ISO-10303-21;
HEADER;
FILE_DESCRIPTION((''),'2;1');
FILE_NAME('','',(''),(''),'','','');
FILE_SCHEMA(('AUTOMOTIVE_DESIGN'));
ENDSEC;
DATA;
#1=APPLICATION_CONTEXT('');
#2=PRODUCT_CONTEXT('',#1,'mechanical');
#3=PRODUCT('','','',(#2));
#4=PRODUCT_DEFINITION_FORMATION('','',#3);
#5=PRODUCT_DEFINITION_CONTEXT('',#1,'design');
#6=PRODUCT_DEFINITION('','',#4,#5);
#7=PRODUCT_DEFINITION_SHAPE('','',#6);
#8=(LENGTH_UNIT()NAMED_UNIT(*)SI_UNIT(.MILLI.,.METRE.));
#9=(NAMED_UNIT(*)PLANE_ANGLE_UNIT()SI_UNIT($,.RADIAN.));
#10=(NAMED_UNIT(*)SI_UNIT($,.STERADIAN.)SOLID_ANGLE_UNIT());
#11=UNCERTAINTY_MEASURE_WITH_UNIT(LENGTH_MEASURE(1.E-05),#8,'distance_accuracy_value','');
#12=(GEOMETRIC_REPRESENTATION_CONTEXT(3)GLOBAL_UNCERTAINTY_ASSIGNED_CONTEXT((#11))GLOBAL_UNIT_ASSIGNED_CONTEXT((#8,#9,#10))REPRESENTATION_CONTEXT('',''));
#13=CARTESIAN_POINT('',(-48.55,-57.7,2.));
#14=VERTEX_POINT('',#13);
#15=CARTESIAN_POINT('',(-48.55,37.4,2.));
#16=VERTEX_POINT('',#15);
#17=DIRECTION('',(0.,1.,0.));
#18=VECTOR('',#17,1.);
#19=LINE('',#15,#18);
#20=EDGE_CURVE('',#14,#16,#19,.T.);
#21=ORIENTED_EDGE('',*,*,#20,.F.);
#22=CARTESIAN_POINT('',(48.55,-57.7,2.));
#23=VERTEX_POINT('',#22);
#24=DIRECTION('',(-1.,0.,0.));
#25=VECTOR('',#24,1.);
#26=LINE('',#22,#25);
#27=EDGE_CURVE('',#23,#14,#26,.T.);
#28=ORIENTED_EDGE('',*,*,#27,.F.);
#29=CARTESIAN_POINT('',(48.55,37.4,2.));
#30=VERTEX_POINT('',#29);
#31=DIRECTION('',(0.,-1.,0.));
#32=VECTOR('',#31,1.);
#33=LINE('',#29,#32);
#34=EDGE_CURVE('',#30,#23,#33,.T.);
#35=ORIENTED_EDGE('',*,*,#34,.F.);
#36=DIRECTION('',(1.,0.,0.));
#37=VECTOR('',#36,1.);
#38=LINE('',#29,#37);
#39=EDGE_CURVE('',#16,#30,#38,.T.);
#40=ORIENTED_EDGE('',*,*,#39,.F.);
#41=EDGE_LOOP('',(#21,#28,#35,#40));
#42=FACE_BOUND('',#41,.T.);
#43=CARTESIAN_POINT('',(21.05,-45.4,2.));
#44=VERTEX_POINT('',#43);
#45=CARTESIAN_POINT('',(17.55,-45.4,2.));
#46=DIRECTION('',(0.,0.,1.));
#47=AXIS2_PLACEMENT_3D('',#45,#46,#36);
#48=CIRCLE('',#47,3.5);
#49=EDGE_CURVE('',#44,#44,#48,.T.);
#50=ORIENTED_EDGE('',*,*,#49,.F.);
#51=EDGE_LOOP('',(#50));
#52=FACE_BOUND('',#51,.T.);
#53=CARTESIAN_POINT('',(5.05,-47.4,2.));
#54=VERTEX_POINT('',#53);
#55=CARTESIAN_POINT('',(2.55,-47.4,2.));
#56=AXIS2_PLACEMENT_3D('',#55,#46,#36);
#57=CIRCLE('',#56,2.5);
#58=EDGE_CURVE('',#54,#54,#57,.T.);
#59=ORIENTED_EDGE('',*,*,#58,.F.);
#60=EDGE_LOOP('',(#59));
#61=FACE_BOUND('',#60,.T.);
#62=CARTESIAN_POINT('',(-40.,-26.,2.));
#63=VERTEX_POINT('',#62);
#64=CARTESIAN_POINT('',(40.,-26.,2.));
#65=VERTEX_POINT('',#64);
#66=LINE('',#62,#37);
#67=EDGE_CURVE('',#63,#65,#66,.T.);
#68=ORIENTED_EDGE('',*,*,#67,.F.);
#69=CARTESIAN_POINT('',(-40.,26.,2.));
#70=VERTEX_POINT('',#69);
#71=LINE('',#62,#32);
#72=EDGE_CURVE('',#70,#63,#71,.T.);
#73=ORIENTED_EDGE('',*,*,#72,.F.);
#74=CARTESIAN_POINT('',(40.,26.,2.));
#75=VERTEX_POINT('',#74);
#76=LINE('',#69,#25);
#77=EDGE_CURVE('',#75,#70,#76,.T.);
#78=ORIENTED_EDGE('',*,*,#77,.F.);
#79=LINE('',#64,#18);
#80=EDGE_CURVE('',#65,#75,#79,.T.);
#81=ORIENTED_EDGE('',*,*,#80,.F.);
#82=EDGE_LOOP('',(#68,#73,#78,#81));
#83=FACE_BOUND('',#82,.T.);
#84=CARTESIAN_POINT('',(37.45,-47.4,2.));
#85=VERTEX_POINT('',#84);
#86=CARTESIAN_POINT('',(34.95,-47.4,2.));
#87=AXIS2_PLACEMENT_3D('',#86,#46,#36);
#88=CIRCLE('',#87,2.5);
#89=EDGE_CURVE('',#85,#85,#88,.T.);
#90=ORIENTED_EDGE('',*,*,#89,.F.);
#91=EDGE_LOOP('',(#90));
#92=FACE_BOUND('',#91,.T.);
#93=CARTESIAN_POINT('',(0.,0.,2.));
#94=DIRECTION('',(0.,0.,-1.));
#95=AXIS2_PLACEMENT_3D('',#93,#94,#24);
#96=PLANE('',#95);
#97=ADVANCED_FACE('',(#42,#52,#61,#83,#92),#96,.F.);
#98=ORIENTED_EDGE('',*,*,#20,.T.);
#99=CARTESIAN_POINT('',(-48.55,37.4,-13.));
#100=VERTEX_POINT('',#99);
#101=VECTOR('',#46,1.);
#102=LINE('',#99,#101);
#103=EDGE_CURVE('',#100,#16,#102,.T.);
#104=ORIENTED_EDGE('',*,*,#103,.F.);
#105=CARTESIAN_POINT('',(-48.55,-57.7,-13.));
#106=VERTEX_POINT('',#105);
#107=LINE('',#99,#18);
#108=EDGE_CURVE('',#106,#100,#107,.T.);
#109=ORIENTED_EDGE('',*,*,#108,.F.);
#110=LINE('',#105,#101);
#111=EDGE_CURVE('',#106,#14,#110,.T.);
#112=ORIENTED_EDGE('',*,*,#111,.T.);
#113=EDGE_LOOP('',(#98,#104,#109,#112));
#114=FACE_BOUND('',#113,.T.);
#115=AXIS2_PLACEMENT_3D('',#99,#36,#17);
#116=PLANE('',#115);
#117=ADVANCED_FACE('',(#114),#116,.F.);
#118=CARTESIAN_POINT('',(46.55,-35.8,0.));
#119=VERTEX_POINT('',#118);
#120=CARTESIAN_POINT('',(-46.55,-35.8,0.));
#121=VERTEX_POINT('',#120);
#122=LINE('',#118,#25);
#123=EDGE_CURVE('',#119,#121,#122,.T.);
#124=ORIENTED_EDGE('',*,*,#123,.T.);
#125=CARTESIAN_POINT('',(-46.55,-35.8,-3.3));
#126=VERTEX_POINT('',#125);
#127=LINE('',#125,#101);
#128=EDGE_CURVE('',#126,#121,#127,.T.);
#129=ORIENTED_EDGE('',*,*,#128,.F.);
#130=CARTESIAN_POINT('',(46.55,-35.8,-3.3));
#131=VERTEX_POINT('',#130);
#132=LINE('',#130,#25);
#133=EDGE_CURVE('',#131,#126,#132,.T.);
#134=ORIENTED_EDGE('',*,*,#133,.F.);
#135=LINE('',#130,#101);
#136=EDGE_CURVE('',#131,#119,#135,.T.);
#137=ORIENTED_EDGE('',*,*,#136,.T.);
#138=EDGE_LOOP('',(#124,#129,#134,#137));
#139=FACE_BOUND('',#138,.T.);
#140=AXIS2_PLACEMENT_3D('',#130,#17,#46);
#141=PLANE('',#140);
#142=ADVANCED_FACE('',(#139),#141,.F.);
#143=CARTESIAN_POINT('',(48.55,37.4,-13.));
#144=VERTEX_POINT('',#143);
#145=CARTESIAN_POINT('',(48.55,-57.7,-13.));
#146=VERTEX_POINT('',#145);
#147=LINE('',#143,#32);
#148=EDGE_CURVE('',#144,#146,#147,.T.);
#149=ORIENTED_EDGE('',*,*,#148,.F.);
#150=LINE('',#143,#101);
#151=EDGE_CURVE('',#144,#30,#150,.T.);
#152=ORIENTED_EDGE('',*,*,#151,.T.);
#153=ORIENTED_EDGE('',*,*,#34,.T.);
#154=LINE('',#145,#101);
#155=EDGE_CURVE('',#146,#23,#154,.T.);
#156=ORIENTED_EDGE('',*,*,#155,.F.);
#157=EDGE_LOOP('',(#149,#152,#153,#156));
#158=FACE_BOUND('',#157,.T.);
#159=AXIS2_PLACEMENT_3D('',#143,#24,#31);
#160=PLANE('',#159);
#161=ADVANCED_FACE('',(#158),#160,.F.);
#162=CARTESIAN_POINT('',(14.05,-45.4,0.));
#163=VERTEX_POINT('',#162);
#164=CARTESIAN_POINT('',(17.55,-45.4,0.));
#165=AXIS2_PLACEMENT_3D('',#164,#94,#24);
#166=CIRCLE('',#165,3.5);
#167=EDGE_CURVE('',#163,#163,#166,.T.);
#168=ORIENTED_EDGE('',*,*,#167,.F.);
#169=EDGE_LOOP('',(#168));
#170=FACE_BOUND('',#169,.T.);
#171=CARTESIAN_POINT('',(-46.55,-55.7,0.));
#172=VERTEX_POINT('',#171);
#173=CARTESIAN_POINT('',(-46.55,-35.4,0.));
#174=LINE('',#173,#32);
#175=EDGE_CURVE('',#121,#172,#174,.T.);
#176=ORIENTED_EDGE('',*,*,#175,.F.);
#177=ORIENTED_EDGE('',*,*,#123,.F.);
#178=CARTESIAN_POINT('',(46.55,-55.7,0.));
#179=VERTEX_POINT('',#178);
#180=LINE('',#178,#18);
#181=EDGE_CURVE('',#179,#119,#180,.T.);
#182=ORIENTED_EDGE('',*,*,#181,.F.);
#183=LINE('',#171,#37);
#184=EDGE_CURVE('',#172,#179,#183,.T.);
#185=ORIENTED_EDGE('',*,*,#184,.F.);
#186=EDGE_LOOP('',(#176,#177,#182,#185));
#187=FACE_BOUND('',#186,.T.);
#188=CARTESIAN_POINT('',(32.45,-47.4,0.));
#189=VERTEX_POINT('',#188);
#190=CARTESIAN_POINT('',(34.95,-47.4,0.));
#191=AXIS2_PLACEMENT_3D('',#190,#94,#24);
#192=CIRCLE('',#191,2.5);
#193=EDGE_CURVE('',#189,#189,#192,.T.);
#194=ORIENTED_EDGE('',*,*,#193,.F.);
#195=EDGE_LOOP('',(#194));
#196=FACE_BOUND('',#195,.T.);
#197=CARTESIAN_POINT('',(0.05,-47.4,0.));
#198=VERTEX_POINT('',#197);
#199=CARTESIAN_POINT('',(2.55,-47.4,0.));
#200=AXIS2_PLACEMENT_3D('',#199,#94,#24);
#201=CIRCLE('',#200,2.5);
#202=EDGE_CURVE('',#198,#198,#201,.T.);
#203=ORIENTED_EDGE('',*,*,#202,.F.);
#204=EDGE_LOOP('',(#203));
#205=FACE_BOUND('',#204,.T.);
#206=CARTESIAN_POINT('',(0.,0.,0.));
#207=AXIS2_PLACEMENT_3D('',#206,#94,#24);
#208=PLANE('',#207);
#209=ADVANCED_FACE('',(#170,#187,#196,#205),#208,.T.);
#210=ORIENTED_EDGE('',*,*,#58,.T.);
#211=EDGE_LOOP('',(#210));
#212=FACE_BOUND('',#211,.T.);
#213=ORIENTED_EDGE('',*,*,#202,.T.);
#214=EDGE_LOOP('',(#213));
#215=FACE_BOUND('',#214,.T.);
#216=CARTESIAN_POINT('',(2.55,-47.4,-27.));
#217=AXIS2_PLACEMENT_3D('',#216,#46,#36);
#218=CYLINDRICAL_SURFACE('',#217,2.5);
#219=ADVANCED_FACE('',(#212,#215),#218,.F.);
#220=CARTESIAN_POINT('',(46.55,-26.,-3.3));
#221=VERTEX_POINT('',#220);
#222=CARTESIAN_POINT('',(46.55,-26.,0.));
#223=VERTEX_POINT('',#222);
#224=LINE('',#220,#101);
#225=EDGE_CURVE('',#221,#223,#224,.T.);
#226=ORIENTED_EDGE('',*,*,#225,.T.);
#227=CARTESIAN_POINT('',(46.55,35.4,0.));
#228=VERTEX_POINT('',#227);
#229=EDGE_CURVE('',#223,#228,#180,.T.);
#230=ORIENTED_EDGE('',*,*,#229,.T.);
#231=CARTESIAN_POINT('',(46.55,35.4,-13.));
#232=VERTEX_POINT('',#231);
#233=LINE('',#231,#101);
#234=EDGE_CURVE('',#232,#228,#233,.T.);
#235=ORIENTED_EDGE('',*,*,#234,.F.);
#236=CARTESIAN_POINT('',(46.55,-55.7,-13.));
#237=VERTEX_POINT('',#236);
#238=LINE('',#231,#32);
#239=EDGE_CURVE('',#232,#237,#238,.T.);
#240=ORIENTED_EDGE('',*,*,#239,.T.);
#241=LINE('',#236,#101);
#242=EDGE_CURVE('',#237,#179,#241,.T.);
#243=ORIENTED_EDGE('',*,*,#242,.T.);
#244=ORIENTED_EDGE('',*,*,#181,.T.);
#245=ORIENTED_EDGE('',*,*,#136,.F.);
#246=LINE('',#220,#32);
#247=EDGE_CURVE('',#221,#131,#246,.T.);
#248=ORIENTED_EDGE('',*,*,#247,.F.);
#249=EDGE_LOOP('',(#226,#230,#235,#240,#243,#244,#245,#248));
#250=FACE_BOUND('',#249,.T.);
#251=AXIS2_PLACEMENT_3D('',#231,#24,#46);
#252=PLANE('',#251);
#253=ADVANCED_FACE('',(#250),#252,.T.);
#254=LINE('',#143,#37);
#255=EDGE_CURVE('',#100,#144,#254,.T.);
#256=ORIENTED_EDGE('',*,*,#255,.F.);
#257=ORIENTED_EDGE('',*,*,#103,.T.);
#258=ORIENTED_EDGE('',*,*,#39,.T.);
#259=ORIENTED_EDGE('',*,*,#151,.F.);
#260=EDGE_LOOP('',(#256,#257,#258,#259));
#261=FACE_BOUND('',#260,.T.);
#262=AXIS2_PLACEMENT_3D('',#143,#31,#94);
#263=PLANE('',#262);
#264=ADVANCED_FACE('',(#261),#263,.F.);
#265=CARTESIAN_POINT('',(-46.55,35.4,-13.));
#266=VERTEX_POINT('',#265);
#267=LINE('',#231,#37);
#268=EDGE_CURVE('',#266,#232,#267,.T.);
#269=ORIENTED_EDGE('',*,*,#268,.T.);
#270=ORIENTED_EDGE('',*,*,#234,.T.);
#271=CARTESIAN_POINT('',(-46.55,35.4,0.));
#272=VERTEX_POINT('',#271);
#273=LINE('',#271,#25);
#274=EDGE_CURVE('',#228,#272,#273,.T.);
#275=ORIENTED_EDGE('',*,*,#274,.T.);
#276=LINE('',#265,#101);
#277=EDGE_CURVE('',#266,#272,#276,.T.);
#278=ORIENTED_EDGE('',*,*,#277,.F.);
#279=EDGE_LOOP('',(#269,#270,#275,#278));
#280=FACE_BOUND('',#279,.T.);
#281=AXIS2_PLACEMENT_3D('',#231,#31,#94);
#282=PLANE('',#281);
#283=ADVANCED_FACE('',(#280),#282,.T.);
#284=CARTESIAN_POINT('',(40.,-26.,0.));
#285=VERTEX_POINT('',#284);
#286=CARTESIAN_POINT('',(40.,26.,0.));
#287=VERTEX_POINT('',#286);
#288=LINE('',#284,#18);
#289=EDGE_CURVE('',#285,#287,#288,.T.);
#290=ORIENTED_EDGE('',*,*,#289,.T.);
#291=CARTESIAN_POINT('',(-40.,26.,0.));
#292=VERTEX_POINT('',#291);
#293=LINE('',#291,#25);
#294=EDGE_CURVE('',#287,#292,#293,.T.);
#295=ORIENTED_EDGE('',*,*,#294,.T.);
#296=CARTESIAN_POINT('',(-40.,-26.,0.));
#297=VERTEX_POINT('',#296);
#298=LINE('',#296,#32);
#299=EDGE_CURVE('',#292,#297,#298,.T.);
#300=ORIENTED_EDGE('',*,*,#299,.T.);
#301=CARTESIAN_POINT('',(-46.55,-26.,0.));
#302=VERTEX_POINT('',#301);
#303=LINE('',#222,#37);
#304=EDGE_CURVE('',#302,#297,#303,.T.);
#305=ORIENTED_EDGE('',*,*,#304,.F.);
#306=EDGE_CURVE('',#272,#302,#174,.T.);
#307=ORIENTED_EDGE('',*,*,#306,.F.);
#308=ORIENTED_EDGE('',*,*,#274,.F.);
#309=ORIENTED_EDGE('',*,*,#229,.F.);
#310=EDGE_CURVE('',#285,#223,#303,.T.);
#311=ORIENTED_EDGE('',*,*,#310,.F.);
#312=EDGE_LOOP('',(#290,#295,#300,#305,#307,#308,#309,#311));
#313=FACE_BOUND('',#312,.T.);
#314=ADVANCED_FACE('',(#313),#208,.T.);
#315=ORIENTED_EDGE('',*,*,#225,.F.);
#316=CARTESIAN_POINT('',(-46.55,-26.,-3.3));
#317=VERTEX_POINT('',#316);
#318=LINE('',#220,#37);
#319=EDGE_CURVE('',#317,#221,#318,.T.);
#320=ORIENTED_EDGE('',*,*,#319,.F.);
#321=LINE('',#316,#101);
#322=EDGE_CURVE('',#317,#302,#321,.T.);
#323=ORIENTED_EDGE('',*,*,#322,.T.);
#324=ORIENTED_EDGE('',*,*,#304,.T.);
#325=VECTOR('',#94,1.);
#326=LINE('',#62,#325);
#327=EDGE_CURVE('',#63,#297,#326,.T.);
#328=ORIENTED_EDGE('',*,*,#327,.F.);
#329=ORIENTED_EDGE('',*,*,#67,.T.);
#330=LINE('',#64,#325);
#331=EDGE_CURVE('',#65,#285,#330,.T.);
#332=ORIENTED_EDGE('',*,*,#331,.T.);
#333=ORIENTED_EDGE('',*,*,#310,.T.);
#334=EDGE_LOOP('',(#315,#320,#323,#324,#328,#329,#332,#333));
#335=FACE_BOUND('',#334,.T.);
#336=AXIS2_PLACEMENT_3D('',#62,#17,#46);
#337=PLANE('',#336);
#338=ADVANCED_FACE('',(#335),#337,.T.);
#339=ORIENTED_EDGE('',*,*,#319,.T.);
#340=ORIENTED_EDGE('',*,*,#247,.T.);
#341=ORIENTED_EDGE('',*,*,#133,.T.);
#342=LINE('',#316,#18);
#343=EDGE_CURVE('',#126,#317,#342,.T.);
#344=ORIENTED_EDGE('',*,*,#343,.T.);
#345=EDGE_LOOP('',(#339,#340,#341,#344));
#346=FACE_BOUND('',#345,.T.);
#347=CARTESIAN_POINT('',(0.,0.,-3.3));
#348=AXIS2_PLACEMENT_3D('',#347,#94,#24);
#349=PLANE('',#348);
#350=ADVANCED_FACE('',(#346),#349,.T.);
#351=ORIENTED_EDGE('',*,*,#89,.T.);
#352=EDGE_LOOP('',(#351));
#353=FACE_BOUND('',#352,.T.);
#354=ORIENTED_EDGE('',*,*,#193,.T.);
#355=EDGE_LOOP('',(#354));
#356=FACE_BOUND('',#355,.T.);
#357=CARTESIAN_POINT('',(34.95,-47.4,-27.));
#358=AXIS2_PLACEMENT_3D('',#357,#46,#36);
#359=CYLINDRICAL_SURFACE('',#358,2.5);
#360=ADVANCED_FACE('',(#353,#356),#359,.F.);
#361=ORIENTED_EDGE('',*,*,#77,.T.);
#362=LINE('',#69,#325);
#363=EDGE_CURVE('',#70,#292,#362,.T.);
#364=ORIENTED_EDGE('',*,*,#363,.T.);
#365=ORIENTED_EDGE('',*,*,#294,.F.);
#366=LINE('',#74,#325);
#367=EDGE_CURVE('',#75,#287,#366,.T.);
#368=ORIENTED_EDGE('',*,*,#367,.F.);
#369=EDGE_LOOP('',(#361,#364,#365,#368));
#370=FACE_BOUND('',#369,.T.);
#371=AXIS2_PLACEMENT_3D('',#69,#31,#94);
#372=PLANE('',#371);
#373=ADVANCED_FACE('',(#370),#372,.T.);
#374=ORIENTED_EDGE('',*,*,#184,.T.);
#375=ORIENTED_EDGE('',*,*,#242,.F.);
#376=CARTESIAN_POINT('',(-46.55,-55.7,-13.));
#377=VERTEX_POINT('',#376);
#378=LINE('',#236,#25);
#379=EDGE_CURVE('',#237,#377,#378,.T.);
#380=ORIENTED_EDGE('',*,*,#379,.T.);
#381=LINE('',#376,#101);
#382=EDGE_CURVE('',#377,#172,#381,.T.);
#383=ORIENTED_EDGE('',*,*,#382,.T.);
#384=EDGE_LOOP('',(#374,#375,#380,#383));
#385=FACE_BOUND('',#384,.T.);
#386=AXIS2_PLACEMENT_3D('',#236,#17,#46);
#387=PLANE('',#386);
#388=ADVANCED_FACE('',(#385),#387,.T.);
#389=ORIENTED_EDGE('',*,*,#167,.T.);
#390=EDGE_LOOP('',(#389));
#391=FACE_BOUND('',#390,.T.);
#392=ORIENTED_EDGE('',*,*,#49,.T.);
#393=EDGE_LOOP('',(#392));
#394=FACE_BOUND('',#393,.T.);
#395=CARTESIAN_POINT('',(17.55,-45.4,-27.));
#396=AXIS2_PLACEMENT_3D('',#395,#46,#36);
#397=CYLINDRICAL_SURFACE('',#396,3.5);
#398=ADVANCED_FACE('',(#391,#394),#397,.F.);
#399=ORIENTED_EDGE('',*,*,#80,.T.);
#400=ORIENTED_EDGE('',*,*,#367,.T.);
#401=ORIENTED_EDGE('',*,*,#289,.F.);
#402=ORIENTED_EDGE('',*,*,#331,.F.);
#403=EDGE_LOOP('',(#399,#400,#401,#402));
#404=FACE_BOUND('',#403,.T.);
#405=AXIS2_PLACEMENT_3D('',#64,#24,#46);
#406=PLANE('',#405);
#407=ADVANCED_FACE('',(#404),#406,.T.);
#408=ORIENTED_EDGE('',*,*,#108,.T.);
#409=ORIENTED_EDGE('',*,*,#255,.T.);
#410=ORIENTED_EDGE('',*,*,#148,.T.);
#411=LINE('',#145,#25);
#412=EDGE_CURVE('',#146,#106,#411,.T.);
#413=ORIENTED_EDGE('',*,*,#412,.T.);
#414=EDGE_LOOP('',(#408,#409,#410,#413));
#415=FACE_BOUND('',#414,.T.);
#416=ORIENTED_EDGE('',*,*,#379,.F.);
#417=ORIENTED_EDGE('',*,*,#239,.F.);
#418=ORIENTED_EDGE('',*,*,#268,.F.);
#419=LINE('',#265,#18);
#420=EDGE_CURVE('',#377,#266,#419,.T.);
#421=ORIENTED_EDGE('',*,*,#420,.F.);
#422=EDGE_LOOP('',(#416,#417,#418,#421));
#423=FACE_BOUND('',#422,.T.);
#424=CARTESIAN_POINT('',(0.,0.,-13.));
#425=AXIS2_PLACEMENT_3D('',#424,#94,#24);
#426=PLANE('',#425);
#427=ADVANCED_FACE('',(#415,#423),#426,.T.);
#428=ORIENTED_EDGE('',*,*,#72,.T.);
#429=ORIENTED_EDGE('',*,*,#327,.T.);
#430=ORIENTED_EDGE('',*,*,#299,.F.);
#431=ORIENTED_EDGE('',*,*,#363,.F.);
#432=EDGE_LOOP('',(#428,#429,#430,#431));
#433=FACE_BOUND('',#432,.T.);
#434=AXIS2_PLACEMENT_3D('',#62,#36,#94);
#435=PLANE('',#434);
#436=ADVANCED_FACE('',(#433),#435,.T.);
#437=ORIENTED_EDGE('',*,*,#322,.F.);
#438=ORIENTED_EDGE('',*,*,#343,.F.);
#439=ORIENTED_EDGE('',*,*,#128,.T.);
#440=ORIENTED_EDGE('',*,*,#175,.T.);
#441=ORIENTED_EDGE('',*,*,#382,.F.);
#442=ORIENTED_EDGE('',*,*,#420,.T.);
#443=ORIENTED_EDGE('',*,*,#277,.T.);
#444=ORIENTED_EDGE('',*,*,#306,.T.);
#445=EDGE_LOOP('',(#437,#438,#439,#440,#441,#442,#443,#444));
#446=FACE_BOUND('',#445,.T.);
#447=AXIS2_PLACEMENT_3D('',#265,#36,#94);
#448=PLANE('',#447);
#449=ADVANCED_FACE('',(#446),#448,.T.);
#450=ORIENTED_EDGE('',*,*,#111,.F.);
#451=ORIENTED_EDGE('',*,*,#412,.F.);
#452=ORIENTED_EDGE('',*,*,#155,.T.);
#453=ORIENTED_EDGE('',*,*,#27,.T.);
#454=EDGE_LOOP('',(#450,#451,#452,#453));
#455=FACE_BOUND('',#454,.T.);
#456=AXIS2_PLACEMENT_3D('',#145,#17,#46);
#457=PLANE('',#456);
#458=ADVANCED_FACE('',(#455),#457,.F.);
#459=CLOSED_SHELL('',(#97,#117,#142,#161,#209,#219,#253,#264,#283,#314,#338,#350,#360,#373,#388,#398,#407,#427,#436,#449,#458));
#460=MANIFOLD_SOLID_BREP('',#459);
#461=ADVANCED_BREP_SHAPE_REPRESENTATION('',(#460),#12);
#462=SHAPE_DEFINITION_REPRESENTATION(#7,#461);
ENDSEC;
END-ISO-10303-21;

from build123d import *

# Parameters (mm, degrees)
SKETCH1_W                = 80
SKETCH1_H                = 52
BOSS_EXTRUDE1_DEPTH      = 2
SKETCH2_W                = 93.1
SKETCH2_H                = 9.8
BOSS_EXTRUDE2_DEPTH      = 3.3
BOSS_EXTRUDE3_DEPTH      = 13
BOSS_EXTRUDE3_DEPTH_BACK = 2
SKETCH3_W                = 97.1
SKETCH3_H                = 95.1
SKETCH3_W_2              = 93.1
SKETCH3_H_2              = 91.1
SKETCH4_R                = 3.5
CUT_EXTRUDE1_DEPTH       = 29
SKETCH5_R                = 2.5
CUT_EXTRUDE2_DEPTH       = 29


with BuildPart() as part:
    # Sketch1 → Boss-Extrude1 (new body)
    with BuildSketch(Plane.XY):
        Polygon((-46.55, -35.4), (-46.55, -55.7), (46.55, -55.7), (46.55, -35.4), (46.55, 35.4), (-46.55, 35.4), align=None)
        Rectangle(SKETCH1_W, SKETCH1_H, mode=Mode.SUBTRACT)
    extrude(amount=BOSS_EXTRUDE1_DEPTH)

    # Sketch2 → Boss-Extrude2 (add)
    with BuildSketch(Plane(origin=(0, 0, 0), x_dir=(-1, 0, 0), z_dir=(0, 0, -1))):
        with Locations((0, -30.9)):
            Rectangle(SKETCH2_W, SKETCH2_H)
    extrude(amount=BOSS_EXTRUDE2_DEPTH)

    # Sketch3 → Boss-Extrude3 (add, two sides: drawn at the far end of the back side and taken through both)
    with BuildSketch(Plane(origin=(0, 0, 0), x_dir=(-1, 0, 0), z_dir=(0, 0, -1)).offset(-BOSS_EXTRUDE3_DEPTH_BACK)):
        with Locations((0, -10.15)):
            Rectangle(SKETCH3_W, SKETCH3_H)
        with Locations((0, -10.15)):
            Rectangle(SKETCH3_W_2, SKETCH3_H_2, mode=Mode.SUBTRACT)
    extrude(amount=BOSS_EXTRUDE3_DEPTH + BOSS_EXTRUDE3_DEPTH_BACK)

    # Sketch4 → Cut-Extrude1 (cut)
    with BuildSketch(Plane.XY.offset(2)):
        with Locations((17.55, -45.4)):
            Circle(SKETCH4_R)
    extrude(amount=-CUT_EXTRUDE1_DEPTH, mode=Mode.SUBTRACT)

    # Sketch5 → Cut-Extrude2 (cut)
    with BuildSketch(Plane.XY.offset(2)):
        with Locations((2.55, -47.4)):
            Circle(SKETCH5_R)
        with Locations((34.95, -47.4)):
            Circle(SKETCH5_R)
    extrude(amount=-CUT_EXTRUDE2_DEPTH, mode=Mode.SUBTRACT)


solid = part.part
